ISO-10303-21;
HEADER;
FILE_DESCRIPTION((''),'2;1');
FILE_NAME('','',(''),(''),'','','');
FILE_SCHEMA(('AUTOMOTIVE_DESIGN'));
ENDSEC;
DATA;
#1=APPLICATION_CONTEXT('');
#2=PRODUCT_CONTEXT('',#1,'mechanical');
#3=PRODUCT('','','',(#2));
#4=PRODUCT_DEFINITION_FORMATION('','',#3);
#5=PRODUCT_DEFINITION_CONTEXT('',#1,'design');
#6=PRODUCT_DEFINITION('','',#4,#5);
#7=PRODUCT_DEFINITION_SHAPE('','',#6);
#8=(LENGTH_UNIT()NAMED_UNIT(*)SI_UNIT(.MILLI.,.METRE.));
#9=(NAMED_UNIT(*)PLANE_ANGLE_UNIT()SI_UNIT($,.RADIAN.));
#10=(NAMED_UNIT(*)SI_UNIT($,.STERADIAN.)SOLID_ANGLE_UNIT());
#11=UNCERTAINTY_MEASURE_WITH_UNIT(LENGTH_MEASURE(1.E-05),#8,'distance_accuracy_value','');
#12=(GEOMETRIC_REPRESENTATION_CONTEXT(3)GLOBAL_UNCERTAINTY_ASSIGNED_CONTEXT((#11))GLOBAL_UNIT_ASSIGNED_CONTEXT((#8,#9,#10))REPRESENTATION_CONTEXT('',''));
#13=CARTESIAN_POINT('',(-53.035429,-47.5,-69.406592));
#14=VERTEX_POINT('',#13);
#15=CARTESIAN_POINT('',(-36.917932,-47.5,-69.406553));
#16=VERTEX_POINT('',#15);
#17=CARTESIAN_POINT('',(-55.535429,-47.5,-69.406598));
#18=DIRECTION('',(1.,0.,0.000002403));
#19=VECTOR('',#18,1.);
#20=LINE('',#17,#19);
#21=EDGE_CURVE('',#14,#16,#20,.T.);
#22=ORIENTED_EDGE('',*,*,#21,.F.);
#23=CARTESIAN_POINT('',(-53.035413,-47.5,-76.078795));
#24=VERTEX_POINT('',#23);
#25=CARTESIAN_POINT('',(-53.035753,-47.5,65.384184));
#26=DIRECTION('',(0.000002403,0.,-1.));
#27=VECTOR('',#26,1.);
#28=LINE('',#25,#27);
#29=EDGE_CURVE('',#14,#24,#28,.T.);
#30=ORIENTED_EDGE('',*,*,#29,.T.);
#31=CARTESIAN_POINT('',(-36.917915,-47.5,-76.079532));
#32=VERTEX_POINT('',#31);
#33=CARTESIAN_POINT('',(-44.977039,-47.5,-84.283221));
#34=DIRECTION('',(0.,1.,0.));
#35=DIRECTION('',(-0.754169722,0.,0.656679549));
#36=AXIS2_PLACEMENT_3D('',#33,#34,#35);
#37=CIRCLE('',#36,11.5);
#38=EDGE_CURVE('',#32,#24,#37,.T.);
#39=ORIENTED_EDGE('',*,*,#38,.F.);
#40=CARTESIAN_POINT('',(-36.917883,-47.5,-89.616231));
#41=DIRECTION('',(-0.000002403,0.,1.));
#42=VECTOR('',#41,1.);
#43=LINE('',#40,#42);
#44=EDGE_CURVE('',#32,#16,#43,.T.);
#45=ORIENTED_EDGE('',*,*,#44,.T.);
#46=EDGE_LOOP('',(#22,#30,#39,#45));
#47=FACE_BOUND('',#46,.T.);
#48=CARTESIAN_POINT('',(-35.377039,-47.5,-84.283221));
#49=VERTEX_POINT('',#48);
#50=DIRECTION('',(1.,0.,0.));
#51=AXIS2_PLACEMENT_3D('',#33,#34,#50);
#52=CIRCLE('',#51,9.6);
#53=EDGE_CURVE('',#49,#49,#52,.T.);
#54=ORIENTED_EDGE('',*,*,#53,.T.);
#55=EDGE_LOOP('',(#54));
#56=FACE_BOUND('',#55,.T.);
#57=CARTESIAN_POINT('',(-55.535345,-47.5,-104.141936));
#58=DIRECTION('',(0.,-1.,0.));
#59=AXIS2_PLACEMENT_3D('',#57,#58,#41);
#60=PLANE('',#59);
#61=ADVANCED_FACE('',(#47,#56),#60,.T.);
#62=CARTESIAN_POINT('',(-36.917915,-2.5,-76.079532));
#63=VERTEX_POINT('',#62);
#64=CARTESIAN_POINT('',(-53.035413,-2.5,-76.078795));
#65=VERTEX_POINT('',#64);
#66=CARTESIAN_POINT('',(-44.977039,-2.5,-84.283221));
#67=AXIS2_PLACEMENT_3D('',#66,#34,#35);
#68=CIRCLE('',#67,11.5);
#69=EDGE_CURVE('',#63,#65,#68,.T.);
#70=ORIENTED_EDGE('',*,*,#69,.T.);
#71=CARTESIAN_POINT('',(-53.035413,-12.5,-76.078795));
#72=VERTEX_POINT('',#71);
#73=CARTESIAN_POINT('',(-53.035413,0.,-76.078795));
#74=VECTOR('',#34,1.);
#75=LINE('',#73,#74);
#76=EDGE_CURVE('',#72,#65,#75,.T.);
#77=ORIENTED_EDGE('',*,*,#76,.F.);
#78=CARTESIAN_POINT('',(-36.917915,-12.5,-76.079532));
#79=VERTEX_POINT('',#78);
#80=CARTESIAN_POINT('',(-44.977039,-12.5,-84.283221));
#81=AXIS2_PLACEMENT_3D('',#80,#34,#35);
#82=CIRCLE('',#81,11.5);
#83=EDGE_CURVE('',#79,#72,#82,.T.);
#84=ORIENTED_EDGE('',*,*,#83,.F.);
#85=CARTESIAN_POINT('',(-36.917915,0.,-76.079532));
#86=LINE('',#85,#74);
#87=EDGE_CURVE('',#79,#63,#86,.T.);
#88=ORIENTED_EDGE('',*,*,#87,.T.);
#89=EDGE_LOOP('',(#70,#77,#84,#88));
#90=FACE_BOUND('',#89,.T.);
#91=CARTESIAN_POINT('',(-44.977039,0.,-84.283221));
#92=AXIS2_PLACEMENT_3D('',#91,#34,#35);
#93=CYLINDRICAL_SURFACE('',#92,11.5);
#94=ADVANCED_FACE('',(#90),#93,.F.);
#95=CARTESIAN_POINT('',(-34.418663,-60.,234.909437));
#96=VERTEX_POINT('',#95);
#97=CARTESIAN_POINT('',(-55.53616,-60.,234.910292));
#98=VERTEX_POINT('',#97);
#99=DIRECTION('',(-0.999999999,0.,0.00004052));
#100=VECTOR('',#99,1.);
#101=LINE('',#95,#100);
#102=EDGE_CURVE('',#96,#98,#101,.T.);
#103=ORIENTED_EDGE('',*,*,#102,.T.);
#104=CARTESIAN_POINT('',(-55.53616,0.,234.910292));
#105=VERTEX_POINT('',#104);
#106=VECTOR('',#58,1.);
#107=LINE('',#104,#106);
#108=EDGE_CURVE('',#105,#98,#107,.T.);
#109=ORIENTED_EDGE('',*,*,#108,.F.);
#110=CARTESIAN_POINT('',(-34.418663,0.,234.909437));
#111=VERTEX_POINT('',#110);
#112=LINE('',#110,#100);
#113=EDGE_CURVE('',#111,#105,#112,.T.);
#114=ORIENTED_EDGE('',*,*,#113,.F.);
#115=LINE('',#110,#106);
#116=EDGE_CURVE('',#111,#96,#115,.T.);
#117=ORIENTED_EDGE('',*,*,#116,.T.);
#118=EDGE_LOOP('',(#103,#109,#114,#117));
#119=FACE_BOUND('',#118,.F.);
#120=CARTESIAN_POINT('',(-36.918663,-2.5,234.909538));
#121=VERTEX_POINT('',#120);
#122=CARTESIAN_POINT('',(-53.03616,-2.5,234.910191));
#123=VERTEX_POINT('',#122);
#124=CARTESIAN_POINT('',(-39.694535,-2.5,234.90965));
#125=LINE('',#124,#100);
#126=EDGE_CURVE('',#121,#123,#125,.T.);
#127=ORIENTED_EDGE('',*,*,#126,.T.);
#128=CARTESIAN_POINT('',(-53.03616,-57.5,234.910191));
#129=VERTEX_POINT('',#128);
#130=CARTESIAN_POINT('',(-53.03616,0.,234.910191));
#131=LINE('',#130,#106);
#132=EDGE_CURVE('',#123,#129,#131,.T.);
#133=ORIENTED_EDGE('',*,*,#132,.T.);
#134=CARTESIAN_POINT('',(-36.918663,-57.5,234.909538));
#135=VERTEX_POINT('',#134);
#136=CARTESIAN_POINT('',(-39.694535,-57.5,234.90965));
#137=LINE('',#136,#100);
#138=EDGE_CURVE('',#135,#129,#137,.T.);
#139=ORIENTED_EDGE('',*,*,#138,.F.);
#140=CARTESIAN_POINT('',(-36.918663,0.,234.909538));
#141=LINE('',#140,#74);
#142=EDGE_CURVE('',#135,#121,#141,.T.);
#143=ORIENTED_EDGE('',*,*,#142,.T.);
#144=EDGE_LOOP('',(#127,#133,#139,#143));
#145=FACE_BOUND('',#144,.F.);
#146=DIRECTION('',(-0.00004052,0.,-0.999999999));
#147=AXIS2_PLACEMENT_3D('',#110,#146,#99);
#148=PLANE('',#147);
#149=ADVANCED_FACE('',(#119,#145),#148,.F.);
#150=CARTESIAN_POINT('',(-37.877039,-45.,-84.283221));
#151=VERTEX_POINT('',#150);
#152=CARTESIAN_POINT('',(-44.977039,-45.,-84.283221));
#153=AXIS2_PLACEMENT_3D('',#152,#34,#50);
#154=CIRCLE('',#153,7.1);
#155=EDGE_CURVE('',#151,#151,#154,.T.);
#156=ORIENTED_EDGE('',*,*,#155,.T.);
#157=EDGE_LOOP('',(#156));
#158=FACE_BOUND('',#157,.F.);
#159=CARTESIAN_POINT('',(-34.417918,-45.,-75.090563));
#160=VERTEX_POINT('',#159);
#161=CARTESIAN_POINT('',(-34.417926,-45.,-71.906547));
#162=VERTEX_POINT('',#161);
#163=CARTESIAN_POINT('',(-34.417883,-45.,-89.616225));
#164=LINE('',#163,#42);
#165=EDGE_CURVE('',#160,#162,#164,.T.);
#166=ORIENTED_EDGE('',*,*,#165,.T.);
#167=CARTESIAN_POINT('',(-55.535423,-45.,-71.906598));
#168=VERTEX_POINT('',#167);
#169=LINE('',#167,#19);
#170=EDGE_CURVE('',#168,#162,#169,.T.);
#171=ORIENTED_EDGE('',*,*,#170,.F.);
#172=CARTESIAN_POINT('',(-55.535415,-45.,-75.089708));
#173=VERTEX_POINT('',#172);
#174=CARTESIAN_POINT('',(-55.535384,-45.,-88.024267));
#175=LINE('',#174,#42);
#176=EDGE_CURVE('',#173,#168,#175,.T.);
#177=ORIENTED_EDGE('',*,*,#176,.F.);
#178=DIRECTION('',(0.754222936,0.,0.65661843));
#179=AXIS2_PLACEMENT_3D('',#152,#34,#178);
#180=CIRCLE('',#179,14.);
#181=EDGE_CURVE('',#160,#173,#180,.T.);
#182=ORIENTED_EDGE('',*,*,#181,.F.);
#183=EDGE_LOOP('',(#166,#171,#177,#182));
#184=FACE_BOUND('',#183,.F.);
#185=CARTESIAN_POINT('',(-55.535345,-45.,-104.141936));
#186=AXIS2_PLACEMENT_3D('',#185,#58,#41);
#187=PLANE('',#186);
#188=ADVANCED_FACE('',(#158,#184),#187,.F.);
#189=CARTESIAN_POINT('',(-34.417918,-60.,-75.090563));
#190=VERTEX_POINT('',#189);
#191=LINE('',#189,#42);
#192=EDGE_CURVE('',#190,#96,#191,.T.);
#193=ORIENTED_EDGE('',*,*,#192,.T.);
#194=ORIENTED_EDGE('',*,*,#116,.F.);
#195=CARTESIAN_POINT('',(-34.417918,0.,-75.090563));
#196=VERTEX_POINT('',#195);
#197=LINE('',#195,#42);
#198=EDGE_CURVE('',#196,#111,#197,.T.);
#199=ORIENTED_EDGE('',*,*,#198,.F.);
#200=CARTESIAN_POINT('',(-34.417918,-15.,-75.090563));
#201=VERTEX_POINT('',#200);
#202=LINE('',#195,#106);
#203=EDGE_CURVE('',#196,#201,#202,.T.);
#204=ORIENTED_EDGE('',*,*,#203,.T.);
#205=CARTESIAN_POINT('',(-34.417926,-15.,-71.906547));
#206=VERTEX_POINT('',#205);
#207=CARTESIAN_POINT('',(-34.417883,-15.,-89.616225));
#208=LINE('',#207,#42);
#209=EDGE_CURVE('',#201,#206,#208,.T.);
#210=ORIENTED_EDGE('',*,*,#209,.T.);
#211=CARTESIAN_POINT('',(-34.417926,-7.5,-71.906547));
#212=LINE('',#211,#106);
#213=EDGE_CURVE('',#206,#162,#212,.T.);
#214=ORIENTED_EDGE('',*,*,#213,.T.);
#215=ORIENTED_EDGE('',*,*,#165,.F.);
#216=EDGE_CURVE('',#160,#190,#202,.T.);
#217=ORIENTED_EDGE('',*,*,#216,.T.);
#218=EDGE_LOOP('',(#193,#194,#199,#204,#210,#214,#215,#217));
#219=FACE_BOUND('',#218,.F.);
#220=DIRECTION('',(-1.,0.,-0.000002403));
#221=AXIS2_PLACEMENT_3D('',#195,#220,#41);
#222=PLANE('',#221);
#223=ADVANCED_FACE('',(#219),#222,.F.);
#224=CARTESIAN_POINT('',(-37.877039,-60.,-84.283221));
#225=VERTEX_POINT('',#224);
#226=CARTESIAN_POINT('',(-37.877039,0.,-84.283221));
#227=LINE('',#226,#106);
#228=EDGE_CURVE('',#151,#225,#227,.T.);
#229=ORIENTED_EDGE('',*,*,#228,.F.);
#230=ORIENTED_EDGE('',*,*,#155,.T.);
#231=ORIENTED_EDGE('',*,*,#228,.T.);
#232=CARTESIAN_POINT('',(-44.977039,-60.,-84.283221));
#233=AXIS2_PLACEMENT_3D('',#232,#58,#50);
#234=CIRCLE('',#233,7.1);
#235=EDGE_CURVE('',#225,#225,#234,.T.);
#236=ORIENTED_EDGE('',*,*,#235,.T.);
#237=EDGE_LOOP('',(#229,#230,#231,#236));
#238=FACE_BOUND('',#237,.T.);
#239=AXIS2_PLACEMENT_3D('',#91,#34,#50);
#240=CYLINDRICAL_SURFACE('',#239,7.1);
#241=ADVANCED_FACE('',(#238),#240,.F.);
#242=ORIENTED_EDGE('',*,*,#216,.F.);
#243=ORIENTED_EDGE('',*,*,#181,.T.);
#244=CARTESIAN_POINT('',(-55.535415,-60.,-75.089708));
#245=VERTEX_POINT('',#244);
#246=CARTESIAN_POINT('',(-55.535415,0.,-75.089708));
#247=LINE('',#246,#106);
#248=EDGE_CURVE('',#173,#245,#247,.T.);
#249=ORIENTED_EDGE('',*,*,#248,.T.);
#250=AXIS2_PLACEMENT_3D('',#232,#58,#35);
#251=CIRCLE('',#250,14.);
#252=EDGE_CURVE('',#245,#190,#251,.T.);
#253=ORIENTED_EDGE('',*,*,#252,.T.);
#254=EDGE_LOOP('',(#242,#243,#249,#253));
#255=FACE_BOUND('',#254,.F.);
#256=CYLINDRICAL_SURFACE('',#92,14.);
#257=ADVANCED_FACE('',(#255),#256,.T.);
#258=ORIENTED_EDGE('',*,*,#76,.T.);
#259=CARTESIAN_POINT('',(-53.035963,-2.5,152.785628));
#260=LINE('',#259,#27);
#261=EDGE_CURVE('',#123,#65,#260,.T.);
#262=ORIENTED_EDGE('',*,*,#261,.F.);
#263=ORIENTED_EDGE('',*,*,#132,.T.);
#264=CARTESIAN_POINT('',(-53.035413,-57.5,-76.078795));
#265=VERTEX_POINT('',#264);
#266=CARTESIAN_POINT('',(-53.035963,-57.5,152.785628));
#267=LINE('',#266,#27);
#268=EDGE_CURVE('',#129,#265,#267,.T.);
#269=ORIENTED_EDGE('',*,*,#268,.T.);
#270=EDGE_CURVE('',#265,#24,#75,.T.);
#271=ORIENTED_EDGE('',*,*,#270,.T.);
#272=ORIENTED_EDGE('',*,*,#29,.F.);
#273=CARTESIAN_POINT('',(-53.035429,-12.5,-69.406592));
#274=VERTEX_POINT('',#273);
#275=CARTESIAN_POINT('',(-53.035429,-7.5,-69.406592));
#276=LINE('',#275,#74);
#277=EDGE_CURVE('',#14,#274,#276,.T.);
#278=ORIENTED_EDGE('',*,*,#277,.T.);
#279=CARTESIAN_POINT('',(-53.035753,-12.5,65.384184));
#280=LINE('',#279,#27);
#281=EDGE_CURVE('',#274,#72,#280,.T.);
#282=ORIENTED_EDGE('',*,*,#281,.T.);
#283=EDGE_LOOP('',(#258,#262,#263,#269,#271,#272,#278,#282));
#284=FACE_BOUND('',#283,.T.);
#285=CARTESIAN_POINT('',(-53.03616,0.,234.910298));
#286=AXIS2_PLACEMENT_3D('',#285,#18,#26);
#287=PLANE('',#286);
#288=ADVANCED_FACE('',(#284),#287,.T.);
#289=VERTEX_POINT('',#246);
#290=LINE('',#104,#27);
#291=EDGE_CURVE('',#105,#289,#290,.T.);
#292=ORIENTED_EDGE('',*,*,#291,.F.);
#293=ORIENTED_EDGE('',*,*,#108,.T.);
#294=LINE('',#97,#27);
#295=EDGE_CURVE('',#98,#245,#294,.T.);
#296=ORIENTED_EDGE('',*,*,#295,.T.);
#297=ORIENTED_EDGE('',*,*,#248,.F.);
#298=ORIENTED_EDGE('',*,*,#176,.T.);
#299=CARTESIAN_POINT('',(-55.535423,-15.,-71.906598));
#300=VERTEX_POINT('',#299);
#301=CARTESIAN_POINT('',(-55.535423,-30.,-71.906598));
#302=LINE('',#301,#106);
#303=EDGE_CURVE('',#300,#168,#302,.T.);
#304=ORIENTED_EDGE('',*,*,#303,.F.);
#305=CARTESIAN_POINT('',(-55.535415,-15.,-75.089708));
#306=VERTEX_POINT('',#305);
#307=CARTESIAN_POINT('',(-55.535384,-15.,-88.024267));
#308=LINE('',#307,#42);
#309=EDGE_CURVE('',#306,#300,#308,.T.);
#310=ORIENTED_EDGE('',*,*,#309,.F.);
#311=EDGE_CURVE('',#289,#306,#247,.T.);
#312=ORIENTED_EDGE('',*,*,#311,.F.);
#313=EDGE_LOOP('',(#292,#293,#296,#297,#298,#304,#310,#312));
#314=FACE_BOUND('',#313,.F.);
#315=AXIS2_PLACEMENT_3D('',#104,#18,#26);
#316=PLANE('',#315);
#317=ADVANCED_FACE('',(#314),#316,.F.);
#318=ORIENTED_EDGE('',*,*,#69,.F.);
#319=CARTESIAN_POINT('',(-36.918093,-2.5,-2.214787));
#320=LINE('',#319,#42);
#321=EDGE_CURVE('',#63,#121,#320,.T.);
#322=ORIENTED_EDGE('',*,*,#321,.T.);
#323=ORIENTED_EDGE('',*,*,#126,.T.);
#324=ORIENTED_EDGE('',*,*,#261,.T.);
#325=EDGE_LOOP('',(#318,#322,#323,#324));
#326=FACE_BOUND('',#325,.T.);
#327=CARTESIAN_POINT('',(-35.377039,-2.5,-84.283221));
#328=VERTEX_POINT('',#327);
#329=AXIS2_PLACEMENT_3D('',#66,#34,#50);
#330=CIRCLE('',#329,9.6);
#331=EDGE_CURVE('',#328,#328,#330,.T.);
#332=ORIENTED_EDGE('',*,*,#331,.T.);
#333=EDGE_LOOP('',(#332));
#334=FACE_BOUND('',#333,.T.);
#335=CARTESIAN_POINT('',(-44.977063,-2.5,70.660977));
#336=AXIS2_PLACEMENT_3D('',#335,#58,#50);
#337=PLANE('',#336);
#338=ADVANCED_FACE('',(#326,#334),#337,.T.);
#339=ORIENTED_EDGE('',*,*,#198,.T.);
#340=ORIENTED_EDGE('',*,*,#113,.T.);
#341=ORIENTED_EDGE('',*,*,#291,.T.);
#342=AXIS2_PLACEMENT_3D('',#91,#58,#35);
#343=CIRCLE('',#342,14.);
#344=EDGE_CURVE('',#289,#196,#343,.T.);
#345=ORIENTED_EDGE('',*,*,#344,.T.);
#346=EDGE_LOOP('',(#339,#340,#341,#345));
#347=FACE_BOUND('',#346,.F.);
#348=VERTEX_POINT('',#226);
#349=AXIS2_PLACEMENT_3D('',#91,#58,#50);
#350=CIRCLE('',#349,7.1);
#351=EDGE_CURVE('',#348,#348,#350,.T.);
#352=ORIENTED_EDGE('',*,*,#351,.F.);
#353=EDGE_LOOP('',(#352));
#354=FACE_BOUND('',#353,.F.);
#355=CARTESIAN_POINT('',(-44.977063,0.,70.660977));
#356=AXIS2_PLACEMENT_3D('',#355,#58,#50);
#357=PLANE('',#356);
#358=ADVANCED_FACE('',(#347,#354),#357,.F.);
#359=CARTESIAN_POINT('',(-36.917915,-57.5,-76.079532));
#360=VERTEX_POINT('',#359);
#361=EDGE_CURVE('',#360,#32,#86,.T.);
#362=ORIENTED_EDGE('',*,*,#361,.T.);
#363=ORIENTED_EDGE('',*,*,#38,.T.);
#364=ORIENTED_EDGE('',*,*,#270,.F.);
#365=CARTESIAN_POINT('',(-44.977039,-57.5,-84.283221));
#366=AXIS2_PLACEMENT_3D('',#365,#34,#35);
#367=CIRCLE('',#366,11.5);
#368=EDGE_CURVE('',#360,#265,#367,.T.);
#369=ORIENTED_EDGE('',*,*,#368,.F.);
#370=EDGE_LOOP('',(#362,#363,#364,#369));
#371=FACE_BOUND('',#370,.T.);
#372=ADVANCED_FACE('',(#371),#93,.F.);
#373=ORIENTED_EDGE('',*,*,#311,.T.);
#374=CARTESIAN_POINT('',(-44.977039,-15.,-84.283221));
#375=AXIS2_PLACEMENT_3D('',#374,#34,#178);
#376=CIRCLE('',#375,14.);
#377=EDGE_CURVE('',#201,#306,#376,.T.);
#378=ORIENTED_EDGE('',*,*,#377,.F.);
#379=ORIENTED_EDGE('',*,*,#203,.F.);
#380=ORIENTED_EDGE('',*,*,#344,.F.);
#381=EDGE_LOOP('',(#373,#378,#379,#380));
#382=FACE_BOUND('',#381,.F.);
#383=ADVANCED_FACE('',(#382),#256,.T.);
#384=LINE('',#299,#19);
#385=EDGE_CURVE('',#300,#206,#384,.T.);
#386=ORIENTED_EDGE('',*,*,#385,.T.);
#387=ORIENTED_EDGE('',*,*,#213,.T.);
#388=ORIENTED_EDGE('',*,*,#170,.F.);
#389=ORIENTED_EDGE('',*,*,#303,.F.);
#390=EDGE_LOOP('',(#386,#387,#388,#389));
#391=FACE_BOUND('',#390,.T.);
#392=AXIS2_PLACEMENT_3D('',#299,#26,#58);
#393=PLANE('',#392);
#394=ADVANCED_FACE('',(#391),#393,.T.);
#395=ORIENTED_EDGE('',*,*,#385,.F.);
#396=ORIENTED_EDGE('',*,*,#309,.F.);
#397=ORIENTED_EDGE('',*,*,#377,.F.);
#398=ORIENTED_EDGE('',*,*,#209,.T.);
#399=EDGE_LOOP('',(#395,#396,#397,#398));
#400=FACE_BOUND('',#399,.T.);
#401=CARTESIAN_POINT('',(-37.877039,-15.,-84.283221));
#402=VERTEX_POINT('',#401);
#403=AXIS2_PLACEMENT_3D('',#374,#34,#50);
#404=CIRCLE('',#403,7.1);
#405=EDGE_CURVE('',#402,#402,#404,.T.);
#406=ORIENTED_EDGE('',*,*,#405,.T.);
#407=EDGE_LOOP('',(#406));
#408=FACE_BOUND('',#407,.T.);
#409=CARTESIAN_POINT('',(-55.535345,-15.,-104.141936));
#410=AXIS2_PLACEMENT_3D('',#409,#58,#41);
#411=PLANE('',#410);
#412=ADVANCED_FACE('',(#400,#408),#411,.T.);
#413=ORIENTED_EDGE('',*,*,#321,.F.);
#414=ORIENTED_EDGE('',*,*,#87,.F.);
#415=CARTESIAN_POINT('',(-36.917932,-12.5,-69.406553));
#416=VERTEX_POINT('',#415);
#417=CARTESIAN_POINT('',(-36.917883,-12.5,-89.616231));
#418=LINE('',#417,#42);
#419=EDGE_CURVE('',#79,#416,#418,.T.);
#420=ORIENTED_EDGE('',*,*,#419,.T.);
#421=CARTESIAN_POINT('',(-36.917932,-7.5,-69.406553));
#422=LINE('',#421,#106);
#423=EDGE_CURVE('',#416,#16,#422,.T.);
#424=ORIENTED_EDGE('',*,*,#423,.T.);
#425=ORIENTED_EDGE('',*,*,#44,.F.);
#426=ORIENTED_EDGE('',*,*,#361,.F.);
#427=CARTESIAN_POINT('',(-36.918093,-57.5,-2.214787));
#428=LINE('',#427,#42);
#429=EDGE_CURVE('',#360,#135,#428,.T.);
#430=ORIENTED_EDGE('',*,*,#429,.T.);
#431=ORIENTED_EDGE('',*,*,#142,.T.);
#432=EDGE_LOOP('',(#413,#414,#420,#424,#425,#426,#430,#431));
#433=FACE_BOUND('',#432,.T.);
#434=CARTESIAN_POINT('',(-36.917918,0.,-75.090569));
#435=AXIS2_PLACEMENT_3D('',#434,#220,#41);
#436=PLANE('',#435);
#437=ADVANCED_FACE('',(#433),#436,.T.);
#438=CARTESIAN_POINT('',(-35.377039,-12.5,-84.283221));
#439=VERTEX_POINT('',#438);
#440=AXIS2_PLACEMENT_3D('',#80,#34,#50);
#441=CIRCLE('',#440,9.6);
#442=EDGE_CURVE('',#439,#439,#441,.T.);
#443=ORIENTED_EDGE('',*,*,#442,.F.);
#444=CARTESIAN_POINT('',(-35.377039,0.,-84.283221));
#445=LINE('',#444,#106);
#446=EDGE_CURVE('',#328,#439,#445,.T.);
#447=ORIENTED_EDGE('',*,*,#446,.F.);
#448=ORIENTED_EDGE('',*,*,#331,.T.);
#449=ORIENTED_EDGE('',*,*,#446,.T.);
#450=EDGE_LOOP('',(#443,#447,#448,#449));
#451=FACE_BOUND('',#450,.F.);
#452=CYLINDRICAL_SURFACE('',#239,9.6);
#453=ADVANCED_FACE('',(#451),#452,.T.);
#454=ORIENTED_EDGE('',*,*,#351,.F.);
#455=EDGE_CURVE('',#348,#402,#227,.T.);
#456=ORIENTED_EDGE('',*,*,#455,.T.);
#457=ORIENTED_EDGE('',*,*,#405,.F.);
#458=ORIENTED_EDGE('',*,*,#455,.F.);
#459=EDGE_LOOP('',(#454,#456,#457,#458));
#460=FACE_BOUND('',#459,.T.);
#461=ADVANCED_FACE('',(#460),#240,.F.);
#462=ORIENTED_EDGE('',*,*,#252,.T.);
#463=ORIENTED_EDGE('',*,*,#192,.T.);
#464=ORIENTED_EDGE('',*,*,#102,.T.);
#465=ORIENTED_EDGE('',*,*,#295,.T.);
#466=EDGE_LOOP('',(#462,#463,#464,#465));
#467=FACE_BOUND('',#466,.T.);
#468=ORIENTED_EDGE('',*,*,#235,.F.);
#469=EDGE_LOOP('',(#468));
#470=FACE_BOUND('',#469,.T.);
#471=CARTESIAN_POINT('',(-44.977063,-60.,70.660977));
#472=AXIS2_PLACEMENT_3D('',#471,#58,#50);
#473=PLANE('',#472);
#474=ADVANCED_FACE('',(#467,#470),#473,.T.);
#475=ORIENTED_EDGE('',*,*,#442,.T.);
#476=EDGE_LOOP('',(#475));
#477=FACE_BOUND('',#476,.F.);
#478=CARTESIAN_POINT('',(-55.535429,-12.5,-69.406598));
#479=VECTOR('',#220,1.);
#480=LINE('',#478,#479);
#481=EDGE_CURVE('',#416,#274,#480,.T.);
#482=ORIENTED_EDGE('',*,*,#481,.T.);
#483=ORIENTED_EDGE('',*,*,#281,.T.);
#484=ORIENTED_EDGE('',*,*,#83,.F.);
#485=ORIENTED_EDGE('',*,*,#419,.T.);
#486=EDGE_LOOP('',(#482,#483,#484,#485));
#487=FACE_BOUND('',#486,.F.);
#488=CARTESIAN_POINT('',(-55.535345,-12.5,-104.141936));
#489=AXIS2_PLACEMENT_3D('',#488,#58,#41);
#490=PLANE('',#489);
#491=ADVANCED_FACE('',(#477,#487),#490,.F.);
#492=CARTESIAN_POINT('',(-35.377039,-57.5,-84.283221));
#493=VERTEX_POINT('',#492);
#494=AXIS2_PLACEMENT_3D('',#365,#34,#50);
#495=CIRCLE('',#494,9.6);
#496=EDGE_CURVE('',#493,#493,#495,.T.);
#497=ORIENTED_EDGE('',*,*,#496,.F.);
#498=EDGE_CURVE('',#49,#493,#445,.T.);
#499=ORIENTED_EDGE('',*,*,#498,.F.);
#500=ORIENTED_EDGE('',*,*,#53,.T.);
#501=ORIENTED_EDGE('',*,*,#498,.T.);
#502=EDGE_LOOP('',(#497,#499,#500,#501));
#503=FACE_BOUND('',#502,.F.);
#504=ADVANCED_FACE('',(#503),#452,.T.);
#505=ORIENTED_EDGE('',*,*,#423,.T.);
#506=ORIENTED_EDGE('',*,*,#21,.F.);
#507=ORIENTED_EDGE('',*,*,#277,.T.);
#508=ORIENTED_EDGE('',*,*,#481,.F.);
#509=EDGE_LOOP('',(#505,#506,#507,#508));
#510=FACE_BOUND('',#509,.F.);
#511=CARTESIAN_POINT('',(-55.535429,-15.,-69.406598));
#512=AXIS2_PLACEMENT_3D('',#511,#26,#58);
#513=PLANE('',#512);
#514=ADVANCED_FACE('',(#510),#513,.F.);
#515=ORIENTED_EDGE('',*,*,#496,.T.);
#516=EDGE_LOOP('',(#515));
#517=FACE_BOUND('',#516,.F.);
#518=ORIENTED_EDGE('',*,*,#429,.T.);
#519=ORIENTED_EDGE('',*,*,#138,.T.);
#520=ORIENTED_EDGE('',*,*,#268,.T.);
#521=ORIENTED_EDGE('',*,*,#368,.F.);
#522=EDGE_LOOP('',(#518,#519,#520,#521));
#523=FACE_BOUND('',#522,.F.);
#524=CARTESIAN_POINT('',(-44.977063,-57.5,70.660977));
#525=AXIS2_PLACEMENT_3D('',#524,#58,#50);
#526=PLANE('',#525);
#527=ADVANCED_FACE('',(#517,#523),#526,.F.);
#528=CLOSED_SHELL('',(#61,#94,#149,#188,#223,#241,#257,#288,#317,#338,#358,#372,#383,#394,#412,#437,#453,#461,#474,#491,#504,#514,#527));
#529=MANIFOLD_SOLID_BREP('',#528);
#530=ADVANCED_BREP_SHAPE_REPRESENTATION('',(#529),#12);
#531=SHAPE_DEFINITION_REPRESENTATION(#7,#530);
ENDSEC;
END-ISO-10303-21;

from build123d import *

# Parameters (mm, degrees)
F0_R          = 7.1
F1_DEPTH      = 60
F2_W          = 30
F2_H          = 32.2353386643
F3_DEPTH      = 25
F3_DEPTH_BACK = 25
F4_T          = -2.5


with BuildPart() as f1:
    # F0 (on Front) → F1 (new body)
    with BuildSketch(Plane.XZ):
        with BuildLine():
            Line((-55.5361600815, 234.910292219), (-55.535415078, -75.0897077801))
            ThreePointArc((-55.535415078, -75.0897077801), (-44.9776062474, -98.283221459), (-34.4179178598, -75.0905634563))
            Line((-34.4179178598, -75.0905634563), (-34.4186628633, 234.9094365428))
            Line((-34.4186628633, 234.9094365428), (-55.5361600815, 234.910292219))
        make_face()
        with Locations((-44.9770389706, -84.2832214705)):
            Circle(F0_R, mode=Mode.SUBTRACT)
    extrude(amount=F1_DEPTH)

    # F2 (on face) → F3 (cut, two sides)
    with BuildSketch(Plane(origin=(-55.535595536, 0, -0.0001334652), x_dir=(0, -1, 0), z_dir=(-1, 0, -2.4032e-06))) as f3_sk:
        with Locations((30, -88.0241336473)):
            Rectangle(F2_W, F2_H)
    extrude(amount=-F3_DEPTH, mode=Mode.SUBTRACT)
    extrude(f3_sk.sketch, amount=F3_DEPTH_BACK, mode=Mode.SUBTRACT)

    # F4
    f4_openings = [f1.faces().sort_by_distance(p)[0] for p in [
        (-44.977411, -30, 234.909864),
    ]]
    offset(amount=F4_T, openings=f4_openings, kind=Kind.INTERSECTION)


solid = f1.part
